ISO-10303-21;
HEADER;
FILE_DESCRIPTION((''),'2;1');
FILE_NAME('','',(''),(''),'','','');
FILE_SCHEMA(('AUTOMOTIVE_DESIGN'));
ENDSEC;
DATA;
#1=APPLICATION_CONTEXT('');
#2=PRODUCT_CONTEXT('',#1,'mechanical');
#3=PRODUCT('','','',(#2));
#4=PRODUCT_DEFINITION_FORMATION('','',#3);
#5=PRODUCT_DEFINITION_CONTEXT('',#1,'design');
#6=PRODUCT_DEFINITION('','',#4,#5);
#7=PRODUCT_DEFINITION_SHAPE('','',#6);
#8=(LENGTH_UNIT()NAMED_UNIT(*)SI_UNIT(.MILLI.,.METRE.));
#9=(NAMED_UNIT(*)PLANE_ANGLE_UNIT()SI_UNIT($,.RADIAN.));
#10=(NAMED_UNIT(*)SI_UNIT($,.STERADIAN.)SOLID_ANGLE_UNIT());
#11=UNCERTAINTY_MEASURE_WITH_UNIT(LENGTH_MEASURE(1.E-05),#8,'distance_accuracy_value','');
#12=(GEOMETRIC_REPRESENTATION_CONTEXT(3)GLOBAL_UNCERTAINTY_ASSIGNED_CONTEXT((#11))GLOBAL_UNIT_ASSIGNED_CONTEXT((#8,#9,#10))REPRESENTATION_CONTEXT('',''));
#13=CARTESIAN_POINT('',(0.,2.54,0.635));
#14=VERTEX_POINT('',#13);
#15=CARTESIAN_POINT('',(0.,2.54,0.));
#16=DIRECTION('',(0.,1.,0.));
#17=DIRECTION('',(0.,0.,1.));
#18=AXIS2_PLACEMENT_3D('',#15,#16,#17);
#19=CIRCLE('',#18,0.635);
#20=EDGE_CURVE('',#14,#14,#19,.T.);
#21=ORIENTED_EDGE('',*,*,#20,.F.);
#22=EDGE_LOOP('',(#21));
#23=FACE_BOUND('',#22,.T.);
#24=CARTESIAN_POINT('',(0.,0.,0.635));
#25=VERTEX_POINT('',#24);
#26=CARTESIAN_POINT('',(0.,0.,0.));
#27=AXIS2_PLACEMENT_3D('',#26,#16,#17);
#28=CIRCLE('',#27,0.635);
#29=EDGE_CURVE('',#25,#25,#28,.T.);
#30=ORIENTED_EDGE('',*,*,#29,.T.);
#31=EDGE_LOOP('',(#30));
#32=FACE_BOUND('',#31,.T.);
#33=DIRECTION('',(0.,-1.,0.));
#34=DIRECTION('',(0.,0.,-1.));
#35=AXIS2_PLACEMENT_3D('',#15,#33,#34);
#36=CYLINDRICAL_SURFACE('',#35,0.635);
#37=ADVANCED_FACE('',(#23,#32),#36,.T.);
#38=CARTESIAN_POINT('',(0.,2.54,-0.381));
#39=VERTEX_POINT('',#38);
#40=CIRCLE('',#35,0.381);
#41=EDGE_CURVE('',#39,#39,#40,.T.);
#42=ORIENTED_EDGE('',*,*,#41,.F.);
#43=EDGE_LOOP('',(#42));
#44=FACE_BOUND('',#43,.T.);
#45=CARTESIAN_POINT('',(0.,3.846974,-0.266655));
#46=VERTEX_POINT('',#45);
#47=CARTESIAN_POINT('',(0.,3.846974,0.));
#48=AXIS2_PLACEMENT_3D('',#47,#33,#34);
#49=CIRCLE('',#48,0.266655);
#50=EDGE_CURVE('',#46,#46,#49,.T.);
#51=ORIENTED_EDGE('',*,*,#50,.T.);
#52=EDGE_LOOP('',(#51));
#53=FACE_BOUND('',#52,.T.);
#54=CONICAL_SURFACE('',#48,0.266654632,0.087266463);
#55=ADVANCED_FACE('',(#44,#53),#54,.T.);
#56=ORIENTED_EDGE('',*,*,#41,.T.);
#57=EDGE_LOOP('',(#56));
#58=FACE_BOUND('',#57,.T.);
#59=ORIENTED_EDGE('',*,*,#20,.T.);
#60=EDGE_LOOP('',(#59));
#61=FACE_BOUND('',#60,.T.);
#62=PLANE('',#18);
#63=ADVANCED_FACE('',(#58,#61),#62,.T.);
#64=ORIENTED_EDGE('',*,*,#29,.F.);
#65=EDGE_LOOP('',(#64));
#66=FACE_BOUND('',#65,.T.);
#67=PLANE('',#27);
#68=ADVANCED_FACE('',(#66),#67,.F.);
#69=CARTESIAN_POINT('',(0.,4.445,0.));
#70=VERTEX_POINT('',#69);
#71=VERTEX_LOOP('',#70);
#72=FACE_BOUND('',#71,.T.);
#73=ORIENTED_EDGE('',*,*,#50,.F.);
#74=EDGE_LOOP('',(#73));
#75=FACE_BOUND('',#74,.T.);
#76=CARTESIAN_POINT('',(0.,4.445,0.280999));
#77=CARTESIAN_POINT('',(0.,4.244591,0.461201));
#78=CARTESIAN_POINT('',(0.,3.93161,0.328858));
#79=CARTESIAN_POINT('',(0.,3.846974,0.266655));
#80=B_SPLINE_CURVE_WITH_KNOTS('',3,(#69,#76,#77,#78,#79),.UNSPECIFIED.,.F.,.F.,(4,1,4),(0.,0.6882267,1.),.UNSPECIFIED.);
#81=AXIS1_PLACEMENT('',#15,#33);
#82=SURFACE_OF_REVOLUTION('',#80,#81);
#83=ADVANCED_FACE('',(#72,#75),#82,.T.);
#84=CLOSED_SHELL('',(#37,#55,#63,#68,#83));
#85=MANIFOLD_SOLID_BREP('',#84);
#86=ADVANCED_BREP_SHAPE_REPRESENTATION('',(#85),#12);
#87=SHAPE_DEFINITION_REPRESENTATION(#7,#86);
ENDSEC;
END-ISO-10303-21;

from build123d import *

# Parameters (mm, degrees)
SKETCH1_R           = 0.635
BOSS_EXTRUDE1_DEPTH = 2.54


with BuildPart() as part:
    # Sketch1 → Boss-Extrude1 (new body)
    with BuildSketch(Plane(origin=(0, 0, 0), x_dir=(1, 0, 0), z_dir=(0, 1, 0))):
        with Locations(Location((0, 0, 0), (0, 0, 270))):
            Circle(SKETCH1_R)
    extrude(amount=BOSS_EXTRUDE1_DEPTH)

    # Sketch3 → Revolve1 (revolve)
    with BuildSketch(Plane(origin=(0, 0, 0), x_dir=(0, 0, -1), z_dir=(1, 0, 0)), mode=Mode.PRIVATE) as revolve1_sk:
        with BuildLine():
            Line((-0.381, 2.54), (-0.266654632, 3.846973537))
            add(Edge.make_bspline(
                [(-0.266654632, 3.846973537), (-0.32885801, 3.931610165), (-0.461201265, 4.244591351), (-0.280999383, 4.445), (0, 4.445)],
                knots=[0, 0, 0, 0, 0.3117733, 1, 1, 1, 1], degree=3))
            Line((0, 4.445), (0, 2.54))
            Line((0, 2.54), (-0.381, 2.54))
        make_face()
    revolve(revolve1_sk.sketch.rotate(Axis((0, 2.54, 0), (0, 1, 0)), 180), axis=Axis((0, 2.54, 0), (0, 1, 0)))


solid = part.part
